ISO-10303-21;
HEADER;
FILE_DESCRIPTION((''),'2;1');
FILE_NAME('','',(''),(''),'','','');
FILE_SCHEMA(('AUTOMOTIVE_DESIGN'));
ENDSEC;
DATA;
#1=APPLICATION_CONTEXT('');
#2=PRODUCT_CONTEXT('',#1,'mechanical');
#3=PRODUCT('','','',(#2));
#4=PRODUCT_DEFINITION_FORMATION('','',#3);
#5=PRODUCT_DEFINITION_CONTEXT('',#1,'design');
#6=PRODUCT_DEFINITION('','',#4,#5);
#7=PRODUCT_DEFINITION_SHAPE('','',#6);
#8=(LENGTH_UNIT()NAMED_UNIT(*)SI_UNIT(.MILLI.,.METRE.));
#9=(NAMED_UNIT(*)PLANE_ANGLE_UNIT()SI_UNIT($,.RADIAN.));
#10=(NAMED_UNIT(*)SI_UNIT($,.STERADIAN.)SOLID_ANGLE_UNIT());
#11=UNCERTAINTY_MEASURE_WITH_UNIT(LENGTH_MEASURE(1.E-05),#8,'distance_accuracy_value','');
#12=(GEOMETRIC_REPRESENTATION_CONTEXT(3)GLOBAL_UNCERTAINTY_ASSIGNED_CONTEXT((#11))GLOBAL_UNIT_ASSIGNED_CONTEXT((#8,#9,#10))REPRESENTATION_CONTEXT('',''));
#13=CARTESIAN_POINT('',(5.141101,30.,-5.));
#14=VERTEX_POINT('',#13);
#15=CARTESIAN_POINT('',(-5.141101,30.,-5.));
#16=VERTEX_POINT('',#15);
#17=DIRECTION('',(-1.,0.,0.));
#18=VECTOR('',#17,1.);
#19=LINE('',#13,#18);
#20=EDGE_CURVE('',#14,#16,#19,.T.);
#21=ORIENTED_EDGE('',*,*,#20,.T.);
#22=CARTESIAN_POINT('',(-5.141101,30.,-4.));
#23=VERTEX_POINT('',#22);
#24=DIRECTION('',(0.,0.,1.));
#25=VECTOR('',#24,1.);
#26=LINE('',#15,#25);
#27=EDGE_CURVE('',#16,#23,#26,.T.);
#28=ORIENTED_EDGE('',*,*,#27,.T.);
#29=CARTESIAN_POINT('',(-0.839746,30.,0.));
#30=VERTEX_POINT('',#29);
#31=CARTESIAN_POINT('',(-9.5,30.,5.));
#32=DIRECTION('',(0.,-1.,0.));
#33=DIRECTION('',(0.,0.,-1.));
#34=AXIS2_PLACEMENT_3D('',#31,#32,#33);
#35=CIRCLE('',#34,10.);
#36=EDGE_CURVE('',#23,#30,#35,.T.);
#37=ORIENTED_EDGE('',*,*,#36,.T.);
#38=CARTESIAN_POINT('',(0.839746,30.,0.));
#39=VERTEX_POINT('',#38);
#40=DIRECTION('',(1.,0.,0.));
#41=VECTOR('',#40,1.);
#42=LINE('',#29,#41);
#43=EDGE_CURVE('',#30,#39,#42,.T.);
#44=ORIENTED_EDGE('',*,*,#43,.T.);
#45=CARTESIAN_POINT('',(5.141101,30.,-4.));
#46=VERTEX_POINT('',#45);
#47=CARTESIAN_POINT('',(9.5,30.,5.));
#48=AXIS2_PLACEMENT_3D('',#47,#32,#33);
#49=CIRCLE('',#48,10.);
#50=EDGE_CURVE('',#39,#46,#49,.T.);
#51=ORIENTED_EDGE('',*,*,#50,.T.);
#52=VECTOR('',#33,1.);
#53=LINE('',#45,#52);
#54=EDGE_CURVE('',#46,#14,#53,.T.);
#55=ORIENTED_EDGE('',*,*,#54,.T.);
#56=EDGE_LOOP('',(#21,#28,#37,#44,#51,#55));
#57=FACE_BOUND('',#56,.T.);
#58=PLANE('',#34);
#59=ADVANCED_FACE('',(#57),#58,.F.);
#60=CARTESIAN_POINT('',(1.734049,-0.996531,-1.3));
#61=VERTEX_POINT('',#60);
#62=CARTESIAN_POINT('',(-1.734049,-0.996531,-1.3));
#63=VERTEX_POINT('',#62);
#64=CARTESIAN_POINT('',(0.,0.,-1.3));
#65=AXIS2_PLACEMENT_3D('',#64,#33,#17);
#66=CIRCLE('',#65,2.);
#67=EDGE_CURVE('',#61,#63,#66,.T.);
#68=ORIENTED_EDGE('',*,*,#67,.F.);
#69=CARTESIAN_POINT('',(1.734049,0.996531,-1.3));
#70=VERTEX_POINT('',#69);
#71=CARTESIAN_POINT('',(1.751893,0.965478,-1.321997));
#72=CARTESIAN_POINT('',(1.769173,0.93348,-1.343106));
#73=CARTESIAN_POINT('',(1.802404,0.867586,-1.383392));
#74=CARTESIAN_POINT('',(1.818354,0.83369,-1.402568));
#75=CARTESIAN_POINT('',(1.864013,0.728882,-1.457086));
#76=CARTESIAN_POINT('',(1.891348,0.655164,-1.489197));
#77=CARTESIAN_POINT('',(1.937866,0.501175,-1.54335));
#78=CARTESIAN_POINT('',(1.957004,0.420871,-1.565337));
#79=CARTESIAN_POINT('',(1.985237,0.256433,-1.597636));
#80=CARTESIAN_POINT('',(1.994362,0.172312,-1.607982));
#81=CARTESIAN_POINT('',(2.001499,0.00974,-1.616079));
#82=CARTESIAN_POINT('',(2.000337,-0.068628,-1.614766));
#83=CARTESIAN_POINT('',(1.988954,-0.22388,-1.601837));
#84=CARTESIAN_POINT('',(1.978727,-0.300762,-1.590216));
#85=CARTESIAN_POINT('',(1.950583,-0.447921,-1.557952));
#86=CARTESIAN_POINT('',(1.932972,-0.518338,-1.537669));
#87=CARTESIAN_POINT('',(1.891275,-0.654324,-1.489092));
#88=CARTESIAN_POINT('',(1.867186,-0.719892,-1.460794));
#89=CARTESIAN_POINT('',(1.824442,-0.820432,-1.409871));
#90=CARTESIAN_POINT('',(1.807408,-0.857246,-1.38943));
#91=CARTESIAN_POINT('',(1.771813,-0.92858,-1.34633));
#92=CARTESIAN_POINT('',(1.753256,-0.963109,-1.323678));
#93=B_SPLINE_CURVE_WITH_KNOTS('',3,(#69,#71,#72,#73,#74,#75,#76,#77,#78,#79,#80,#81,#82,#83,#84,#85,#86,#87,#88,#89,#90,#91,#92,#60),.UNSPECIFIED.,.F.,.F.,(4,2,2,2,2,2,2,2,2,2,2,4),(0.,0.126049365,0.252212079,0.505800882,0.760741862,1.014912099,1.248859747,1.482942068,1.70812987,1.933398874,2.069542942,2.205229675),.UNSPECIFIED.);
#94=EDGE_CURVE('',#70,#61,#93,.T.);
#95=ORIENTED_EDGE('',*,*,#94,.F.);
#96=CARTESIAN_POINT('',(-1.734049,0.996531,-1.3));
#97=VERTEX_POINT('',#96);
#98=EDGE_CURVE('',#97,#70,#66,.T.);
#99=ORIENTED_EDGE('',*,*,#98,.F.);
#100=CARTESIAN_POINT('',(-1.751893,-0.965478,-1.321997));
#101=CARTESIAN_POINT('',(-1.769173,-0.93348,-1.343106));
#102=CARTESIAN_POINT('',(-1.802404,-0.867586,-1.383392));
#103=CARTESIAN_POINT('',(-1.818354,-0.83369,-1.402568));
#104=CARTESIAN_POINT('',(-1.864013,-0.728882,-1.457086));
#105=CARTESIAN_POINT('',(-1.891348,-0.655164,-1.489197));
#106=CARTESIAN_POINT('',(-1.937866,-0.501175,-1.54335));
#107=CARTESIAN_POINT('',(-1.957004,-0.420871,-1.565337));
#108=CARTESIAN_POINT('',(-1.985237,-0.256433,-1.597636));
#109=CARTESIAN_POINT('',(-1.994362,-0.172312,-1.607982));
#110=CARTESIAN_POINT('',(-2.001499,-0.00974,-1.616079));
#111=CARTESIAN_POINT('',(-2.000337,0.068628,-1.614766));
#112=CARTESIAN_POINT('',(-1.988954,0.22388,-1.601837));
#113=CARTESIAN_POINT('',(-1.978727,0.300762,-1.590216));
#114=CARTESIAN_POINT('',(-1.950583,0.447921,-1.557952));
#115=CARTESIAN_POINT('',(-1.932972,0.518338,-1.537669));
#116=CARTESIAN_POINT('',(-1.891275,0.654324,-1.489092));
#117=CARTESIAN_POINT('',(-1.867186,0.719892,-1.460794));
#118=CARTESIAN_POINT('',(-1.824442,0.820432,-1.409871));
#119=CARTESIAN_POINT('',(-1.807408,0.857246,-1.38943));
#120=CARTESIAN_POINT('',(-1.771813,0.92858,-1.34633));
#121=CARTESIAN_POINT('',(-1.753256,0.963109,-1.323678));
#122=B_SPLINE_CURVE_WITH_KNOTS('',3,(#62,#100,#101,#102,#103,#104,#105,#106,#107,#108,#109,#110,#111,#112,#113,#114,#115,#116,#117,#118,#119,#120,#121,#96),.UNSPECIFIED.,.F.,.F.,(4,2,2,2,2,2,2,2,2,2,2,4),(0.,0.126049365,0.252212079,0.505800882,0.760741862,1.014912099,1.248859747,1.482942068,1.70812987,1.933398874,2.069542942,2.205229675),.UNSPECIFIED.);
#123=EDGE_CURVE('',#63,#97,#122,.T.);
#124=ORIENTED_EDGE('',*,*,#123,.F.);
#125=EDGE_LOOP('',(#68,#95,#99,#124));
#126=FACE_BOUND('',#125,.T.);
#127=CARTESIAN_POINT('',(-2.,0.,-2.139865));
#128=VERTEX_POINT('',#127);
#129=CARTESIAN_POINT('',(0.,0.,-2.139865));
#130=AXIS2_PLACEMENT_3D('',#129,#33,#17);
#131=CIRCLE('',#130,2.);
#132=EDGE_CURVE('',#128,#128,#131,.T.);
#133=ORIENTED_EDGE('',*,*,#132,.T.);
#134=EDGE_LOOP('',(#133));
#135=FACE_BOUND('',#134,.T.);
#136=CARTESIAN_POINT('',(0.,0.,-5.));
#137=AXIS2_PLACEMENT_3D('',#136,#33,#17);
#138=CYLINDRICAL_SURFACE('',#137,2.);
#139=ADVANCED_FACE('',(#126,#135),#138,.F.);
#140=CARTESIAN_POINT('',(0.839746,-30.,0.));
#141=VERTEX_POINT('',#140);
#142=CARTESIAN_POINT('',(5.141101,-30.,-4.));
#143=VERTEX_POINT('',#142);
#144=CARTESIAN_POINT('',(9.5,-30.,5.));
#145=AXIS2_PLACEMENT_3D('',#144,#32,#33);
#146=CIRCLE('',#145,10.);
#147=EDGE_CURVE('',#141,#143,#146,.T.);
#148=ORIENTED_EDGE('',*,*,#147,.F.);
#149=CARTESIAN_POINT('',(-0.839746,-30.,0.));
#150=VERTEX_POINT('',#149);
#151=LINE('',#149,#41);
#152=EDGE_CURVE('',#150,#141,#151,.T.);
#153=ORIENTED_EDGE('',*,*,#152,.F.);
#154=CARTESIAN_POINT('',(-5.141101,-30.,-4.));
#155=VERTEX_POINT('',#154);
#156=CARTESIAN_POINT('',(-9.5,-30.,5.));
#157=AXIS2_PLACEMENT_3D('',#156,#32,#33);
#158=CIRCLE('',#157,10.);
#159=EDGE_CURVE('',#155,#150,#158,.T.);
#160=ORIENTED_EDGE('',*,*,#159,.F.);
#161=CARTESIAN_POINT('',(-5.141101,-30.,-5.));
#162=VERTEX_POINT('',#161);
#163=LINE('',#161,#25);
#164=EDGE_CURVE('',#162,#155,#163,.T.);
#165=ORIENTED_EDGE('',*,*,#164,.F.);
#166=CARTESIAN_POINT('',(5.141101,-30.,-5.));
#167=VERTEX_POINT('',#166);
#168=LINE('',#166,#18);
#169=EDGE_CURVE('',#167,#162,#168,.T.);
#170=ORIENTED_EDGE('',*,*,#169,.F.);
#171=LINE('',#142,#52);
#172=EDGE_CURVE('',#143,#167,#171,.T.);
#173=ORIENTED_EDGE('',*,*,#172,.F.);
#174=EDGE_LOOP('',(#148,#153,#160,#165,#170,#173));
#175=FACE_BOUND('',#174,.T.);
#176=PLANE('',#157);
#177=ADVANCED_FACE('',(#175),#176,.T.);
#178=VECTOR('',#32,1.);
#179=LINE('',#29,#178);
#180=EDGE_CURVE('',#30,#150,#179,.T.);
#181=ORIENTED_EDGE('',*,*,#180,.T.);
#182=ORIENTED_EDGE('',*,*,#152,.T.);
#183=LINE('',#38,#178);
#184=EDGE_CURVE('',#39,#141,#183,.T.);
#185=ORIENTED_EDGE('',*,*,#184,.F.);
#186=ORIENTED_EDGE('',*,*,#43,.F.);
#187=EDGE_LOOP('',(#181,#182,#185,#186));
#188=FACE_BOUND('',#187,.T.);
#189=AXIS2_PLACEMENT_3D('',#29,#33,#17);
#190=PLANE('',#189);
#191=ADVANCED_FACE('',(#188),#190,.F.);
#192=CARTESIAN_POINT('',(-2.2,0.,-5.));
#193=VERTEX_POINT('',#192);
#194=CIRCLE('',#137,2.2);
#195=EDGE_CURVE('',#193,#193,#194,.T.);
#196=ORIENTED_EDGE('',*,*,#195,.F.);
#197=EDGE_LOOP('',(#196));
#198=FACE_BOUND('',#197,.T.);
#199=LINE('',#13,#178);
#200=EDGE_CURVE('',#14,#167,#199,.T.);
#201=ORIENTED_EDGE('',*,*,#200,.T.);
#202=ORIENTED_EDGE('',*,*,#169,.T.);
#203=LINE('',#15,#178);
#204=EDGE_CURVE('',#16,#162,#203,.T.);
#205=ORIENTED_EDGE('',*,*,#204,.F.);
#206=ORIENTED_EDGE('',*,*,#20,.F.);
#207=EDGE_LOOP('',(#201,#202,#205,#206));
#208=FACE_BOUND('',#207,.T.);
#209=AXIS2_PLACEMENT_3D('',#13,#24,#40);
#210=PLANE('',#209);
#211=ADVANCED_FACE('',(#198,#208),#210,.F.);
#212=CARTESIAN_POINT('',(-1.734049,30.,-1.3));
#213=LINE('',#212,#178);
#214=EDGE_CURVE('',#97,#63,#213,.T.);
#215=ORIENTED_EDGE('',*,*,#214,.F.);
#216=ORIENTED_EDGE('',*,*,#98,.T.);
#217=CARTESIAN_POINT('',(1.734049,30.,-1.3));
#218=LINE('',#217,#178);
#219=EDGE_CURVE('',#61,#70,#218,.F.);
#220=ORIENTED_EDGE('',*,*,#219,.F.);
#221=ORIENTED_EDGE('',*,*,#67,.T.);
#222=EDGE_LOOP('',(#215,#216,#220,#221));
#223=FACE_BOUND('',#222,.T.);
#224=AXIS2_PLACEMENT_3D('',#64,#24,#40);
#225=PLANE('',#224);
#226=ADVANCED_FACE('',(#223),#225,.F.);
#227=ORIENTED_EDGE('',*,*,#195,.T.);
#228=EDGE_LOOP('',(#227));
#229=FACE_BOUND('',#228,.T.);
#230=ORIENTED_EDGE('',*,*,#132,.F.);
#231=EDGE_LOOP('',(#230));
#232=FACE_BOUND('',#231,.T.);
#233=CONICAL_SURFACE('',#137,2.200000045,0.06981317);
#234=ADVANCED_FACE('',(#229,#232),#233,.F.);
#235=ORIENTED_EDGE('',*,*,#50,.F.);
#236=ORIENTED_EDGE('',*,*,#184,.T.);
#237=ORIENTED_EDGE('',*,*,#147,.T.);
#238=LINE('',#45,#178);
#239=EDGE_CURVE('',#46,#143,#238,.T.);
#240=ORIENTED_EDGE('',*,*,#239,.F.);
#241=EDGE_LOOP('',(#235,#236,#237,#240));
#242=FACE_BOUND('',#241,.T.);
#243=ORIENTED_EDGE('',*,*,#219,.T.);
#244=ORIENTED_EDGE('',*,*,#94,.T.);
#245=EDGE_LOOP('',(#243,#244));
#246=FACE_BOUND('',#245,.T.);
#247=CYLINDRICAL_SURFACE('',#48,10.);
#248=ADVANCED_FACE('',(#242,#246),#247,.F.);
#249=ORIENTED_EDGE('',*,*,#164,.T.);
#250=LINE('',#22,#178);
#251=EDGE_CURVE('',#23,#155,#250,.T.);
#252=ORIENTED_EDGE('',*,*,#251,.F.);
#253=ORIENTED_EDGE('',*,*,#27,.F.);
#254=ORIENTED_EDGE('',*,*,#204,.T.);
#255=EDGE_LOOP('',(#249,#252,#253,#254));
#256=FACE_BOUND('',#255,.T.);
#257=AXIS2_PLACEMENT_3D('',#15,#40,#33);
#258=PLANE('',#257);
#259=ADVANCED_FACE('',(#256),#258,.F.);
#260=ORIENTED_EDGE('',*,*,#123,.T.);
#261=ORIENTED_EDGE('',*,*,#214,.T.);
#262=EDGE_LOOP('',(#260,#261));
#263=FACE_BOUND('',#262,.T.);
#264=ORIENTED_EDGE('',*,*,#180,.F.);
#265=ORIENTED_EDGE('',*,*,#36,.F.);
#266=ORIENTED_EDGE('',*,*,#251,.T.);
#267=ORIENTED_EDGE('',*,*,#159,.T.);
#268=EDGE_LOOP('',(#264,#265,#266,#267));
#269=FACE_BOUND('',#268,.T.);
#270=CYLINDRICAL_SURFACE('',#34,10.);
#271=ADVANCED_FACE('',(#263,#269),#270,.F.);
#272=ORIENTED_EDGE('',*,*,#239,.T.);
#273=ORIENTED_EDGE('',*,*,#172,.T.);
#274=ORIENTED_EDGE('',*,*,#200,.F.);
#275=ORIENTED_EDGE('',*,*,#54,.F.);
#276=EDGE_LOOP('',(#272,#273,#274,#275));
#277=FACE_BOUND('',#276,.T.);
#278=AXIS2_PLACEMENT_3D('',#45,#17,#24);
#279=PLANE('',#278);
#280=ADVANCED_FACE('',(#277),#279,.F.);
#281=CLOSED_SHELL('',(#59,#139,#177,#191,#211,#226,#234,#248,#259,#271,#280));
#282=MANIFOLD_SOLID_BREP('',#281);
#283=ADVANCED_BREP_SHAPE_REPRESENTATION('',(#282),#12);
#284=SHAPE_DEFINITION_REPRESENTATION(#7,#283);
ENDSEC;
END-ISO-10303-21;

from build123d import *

# Parameters (mm, degrees)
BOSS_EXTRUDE1_DEPTH = 30


with BuildPart() as part:
    # Sketch1 → Boss-Extrude1 (new, symmetric)
    with BuildSketch(Plane(origin=(0, 0, 0), x_dir=(1, 0, 0), z_dir=(0, 1, 0))):
        with BuildLine():
            Line((-0.839745962, 0), (0.839745962, 0))
            ThreePointArc((0.839745962, 0), (2.690111154, 2.322937519), (5.141101056, 4))
            Line((5.141101056, 4), (5.141101056, 5))
            Line((5.141101056, 5), (-5.141101056, 5))
            Line((-5.141101056, 5), (-5.141101056, 4))
            ThreePointArc((-5.141101056, 4), (-2.690111154, 2.322937519), (-0.839745962, 0))
        make_face()
    extrude(amount=BOSS_EXTRUDE1_DEPTH, both=True)

    # Sketch8 → #24 (0.152) Diameter Hole1 (revolve, cut)
    with BuildSketch(Plane(origin=(0, 0, -5), x_dir=(0, 1, 0), z_dir=(1, 0, 0))):
        Polygon((0, 0), (0, 3.7), (1.999999937, 3.7), (1.999999937, 2.860134796), (2.200000045, 0), align=None)
    revolve(axis=Axis((0, 0, -11.35), (0, 0, 1)), mode=Mode.SUBTRACT)


solid = part.part
